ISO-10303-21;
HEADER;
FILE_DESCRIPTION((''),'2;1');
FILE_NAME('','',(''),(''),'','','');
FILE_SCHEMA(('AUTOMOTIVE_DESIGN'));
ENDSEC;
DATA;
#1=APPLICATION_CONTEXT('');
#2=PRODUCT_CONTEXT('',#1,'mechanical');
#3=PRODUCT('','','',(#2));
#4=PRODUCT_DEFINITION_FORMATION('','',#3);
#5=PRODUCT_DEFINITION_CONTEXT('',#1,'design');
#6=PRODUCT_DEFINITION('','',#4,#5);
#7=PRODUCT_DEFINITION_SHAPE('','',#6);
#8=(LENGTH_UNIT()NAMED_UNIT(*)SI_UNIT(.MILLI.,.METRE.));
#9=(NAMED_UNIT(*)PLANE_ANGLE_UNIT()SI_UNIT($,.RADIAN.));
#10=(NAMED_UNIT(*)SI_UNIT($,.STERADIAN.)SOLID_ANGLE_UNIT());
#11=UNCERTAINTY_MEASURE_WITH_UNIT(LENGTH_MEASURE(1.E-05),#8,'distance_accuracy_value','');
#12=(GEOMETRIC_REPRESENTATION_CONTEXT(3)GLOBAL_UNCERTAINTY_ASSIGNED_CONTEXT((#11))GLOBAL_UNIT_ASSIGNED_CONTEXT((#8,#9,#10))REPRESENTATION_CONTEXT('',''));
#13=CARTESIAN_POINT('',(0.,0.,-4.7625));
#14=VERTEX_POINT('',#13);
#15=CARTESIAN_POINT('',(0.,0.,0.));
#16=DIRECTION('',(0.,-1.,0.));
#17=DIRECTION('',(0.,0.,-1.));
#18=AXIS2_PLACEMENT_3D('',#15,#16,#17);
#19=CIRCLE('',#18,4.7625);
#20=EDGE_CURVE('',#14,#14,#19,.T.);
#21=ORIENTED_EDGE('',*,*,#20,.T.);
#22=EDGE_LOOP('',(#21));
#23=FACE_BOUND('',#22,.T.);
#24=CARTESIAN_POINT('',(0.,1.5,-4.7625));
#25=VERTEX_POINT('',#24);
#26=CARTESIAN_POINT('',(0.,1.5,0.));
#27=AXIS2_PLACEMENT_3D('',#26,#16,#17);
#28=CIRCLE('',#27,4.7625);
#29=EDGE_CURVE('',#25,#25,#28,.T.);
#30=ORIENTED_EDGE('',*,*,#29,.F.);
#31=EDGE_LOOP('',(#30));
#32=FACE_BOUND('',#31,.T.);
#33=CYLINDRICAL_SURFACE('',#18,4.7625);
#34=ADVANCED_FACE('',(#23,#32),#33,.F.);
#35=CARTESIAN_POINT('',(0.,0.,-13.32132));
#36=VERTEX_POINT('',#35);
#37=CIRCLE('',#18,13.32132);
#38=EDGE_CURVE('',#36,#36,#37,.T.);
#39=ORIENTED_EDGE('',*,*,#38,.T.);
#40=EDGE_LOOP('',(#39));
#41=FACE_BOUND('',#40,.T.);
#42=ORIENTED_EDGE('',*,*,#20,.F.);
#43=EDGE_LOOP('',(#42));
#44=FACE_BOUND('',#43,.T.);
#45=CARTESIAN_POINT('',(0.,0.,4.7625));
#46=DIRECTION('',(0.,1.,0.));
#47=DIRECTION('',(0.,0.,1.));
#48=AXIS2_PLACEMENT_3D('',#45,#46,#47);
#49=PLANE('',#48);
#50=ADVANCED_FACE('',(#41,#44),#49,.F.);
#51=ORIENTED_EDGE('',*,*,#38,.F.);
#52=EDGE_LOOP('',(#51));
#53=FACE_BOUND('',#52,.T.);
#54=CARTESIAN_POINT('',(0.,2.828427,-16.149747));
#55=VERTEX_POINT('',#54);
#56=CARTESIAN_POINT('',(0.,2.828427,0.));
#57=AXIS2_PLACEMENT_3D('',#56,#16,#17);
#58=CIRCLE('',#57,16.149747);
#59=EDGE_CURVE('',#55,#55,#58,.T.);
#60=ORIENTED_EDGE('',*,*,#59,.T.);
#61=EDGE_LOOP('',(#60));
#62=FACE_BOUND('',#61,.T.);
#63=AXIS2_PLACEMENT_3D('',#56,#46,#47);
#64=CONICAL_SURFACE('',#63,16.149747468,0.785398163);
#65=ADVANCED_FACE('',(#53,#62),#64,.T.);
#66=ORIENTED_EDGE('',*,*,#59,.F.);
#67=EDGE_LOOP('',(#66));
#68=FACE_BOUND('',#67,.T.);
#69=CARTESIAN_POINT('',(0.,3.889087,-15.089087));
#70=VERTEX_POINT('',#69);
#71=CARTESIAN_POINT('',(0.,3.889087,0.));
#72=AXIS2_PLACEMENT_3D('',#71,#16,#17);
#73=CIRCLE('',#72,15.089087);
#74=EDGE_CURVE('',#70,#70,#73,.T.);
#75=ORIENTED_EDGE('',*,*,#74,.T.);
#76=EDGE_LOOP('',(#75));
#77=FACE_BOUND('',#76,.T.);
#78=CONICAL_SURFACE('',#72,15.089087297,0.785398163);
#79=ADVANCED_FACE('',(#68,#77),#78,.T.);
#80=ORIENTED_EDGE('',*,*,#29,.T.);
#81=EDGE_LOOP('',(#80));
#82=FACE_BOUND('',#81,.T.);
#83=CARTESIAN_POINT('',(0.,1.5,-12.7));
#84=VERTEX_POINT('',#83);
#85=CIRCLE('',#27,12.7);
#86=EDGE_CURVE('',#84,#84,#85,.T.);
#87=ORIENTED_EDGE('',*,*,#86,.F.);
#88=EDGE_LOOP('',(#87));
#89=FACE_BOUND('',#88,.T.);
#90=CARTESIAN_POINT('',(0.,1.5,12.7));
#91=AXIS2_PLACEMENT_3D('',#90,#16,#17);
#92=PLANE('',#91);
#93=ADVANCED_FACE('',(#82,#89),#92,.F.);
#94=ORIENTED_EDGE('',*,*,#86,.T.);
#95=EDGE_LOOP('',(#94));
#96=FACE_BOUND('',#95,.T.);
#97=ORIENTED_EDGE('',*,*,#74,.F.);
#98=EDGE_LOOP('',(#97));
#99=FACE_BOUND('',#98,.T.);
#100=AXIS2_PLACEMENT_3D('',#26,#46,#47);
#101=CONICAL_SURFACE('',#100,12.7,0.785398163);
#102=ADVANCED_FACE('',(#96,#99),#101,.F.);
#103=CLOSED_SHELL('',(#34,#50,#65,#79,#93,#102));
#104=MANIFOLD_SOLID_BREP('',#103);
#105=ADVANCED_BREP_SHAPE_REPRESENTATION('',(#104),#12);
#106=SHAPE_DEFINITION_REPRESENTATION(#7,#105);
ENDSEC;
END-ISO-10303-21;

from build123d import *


with BuildPart() as part:
    # Sketch1 → Revolve1 (revolve)
    with BuildSketch(Plane(origin=(0, 0, 0), x_dir=(0, 0, -1), z_dir=(1, 0, 0)), mode=Mode.PRIVATE) as revolve1_sk:
        Polygon((-4.7625, 0), (-13.321320344, 0), (-16.149747468, 2.828427125), (-15.089087297, 3.889087297), (-12.7, 1.5), (-4.7625, 1.5), align=None)
    revolve(revolve1_sk.sketch.rotate(Axis((0, 0, 0), (0, 1, 0)), 180), axis=Axis((0, 0, 0), (0, 1, 0)))


solid = part.part
